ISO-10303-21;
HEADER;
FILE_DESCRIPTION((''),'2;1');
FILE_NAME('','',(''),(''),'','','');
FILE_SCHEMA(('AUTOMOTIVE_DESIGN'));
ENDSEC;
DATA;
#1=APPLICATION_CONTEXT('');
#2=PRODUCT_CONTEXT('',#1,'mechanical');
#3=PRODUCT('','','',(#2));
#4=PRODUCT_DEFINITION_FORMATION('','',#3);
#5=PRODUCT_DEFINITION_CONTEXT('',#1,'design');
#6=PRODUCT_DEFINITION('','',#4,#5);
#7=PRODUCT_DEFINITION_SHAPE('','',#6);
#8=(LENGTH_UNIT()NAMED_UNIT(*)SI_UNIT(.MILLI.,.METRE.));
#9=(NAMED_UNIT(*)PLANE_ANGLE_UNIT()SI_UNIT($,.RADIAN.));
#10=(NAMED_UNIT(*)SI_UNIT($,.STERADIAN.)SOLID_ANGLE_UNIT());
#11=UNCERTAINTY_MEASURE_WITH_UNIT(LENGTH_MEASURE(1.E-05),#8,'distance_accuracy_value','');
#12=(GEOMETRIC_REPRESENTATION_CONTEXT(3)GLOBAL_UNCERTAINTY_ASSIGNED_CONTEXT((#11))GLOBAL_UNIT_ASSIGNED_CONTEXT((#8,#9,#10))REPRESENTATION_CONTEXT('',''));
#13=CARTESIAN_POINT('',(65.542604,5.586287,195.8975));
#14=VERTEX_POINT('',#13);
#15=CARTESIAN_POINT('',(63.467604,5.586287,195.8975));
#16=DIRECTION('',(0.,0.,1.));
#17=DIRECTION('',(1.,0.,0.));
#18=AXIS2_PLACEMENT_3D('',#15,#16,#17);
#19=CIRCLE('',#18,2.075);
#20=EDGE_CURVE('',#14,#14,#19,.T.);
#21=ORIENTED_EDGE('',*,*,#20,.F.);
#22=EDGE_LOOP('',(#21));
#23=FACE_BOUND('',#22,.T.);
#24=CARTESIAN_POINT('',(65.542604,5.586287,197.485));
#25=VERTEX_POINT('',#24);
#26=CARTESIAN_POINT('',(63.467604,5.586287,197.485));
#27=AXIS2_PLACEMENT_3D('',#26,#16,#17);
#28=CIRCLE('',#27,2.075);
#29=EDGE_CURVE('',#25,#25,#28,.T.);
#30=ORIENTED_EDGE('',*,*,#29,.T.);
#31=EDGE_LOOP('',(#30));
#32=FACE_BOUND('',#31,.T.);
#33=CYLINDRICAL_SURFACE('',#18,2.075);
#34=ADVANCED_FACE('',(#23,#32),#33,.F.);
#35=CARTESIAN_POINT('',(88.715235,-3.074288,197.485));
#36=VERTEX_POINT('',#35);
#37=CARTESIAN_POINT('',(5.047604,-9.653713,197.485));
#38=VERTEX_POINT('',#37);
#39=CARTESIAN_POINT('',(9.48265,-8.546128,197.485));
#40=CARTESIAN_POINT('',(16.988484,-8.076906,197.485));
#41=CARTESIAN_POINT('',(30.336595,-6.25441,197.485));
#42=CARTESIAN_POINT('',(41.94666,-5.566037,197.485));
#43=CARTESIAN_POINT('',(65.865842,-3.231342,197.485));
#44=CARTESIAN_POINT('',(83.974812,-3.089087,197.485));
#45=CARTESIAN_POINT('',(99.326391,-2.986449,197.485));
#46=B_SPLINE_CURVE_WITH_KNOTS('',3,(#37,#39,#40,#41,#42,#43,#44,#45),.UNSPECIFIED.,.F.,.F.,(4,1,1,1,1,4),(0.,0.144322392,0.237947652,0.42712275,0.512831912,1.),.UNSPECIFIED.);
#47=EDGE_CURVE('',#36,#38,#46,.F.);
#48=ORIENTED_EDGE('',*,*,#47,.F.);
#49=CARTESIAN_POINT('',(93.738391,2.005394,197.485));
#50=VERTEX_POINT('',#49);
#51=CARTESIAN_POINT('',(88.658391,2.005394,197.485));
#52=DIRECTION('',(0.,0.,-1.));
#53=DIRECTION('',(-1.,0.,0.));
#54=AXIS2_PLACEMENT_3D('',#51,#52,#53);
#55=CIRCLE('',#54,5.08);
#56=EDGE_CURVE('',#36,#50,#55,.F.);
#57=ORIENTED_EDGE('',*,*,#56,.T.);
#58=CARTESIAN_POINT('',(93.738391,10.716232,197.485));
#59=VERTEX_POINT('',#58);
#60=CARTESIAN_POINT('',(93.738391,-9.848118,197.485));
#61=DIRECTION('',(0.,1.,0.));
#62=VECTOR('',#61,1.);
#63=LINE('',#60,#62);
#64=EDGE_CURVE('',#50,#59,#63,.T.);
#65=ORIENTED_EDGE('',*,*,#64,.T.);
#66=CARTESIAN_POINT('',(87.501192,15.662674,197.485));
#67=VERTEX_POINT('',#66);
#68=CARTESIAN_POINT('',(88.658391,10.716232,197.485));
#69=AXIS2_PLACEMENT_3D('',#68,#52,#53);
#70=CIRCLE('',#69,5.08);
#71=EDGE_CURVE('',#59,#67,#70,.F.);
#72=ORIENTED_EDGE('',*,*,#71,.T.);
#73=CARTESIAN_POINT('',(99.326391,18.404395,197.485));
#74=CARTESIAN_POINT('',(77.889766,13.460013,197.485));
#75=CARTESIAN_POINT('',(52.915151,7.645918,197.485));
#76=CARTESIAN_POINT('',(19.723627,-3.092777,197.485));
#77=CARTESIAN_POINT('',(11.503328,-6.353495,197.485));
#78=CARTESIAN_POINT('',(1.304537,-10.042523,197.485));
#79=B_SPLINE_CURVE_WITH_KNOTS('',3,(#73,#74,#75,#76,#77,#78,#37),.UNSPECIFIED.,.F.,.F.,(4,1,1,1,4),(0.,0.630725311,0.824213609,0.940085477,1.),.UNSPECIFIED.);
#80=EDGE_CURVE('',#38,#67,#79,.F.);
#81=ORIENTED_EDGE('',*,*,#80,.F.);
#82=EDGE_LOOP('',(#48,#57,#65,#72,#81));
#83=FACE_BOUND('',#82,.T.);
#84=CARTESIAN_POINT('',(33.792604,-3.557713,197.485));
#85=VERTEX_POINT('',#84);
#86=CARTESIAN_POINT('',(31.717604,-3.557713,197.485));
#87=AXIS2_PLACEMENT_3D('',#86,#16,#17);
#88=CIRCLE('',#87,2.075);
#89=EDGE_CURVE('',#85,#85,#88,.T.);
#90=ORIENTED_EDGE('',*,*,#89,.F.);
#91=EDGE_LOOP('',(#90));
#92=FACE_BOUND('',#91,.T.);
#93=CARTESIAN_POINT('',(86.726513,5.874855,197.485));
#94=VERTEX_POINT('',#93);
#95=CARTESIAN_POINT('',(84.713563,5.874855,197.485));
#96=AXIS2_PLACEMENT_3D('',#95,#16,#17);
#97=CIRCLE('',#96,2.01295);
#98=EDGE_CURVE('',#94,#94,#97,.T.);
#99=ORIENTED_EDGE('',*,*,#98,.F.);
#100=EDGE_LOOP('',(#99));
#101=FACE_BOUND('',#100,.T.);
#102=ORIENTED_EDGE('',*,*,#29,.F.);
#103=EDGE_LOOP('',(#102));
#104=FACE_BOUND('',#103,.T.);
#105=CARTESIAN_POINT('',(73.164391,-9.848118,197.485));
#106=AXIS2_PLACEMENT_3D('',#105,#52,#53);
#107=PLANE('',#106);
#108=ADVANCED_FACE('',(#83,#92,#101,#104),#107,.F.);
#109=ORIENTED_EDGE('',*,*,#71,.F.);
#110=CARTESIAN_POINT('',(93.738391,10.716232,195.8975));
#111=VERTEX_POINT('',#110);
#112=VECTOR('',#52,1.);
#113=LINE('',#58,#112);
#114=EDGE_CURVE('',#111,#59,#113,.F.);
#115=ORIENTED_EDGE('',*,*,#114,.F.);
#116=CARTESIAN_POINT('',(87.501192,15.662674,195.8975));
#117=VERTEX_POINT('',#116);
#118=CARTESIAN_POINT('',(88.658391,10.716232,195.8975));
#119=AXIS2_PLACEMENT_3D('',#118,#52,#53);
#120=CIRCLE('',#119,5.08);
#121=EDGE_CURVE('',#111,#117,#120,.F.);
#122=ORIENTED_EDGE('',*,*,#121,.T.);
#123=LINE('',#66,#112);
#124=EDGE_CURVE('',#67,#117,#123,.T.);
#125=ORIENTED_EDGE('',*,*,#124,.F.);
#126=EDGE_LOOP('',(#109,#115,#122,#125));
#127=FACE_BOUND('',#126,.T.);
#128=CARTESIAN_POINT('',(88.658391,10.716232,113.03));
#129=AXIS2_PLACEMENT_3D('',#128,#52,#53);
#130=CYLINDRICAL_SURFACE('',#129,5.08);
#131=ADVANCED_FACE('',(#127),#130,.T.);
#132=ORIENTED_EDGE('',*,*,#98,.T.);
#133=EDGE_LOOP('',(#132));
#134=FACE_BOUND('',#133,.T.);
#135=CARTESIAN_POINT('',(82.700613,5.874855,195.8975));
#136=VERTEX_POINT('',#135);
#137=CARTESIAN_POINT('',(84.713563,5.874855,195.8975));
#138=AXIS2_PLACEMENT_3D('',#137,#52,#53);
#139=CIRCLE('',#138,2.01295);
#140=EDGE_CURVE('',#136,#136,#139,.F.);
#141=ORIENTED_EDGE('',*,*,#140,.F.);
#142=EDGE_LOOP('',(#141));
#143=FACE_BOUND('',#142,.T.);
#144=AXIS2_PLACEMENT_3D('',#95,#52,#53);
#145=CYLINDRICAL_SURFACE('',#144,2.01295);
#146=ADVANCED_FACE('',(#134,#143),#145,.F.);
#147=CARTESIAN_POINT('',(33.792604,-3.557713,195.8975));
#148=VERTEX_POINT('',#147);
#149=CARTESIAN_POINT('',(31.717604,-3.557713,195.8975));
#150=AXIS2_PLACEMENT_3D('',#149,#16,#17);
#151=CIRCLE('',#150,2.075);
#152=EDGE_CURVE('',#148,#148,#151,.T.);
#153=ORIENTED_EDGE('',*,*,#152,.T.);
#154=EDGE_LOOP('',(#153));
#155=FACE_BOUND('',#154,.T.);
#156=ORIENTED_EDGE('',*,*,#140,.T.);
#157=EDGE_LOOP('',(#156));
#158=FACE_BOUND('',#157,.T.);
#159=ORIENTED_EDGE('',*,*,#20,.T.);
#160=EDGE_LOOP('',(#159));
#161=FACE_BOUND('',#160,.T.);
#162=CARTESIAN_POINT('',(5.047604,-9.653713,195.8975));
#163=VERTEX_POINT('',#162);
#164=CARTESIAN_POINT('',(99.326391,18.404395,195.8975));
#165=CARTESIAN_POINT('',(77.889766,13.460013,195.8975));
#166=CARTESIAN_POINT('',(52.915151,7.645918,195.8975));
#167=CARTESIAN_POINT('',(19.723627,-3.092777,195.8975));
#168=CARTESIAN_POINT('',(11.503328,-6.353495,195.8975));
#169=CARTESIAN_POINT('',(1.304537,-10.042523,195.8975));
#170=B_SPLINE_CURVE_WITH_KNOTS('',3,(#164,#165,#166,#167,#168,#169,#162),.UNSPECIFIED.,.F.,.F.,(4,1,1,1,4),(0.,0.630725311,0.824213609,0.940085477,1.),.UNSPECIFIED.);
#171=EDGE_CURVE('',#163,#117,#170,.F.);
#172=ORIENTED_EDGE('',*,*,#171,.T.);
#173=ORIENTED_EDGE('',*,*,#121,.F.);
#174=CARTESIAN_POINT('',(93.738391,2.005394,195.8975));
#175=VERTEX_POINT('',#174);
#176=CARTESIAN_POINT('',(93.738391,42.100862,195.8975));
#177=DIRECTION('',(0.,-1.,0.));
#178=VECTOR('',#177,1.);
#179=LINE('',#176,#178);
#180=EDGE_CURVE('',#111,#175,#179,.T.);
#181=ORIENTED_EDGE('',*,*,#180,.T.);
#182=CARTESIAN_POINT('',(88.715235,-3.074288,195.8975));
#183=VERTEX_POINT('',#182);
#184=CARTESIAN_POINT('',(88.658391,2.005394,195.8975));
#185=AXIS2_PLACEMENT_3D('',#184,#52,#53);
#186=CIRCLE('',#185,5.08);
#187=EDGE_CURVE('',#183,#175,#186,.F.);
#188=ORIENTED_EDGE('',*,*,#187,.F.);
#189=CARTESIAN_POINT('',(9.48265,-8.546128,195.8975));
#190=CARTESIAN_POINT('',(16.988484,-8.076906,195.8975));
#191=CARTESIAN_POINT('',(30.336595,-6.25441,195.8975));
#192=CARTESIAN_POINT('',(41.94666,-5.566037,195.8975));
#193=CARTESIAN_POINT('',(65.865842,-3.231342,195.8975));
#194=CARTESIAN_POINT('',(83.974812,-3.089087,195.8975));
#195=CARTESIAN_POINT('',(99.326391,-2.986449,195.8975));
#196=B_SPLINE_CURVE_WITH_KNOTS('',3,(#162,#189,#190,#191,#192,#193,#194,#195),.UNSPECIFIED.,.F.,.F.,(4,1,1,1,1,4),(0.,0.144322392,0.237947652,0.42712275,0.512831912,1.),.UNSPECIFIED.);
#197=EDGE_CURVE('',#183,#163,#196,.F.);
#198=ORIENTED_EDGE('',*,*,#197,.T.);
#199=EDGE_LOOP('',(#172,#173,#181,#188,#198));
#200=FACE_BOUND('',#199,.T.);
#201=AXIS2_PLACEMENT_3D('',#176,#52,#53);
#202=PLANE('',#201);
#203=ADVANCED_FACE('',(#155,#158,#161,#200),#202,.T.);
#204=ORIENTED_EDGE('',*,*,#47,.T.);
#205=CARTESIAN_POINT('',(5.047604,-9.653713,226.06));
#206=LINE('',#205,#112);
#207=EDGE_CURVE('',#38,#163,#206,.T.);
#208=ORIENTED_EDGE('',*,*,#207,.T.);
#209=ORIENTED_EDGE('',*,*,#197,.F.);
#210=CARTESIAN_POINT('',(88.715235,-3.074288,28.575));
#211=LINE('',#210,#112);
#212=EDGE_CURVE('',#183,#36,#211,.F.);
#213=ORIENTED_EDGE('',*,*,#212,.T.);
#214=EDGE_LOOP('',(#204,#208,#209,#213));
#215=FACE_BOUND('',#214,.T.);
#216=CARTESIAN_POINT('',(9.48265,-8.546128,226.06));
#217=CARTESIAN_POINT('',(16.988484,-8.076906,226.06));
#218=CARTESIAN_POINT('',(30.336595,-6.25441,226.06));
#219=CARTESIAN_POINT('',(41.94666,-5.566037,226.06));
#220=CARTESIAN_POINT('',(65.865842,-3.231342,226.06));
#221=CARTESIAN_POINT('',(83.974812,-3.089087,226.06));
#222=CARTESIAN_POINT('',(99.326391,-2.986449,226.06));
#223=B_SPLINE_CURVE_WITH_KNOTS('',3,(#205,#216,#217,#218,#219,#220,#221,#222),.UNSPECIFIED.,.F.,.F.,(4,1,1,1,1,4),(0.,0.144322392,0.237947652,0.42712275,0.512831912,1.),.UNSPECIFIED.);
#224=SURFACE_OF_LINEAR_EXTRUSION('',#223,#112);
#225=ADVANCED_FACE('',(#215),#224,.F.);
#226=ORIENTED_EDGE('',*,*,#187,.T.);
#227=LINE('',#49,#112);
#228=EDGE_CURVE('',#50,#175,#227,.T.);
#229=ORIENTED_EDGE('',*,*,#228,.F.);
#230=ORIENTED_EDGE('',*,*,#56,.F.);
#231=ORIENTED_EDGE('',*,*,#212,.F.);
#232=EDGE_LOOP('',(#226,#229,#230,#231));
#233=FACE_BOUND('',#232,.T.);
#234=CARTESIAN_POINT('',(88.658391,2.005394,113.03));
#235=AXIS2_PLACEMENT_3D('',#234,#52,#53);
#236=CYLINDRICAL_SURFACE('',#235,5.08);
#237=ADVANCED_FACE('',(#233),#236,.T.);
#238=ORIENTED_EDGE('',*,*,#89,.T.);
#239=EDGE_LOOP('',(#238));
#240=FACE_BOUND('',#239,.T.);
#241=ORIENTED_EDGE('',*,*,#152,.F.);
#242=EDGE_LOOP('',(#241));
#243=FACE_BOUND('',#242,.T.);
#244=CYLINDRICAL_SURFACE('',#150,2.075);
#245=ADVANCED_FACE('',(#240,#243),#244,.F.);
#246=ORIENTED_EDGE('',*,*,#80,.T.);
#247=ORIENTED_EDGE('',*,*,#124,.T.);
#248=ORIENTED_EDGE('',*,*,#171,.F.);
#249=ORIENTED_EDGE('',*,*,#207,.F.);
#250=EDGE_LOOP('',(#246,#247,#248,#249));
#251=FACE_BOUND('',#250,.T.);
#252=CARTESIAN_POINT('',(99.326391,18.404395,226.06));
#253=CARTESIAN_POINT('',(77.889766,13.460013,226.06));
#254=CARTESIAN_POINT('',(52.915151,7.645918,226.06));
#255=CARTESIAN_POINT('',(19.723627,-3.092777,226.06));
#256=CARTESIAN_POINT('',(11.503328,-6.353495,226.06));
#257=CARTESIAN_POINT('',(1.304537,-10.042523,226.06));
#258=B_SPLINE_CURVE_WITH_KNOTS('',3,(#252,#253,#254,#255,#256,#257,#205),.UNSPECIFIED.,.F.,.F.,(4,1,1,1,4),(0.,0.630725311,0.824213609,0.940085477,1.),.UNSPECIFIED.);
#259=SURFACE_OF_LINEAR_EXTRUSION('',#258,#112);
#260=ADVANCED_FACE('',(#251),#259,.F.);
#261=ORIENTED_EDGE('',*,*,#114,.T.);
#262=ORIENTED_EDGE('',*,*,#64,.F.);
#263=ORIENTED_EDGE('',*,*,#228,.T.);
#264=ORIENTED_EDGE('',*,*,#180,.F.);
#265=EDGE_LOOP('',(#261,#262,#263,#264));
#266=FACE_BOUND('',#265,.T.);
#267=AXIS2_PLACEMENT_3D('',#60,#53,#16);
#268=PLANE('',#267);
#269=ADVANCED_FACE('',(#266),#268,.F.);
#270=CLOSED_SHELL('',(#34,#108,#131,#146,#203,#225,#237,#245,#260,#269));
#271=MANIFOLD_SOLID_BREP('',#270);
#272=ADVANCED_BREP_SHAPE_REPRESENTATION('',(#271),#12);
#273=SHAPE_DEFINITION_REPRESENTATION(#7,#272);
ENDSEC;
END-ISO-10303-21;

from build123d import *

# Parameters (mm, degrees)
BOSS_EXTRUDE1_DEPTH     = 226.06
CUT_EXTRUDE1_DEPTH      = 248.603669875
CUT_EXTRUDE1_DEPTH_BACK = 248.603669875
FILLET1_R               = 5.08
SKETCH4_W               = 41.117340127
SKETCH4_H               = 67.644656338
SKETCH4_W_2             = 211.282523513
SKETCH4_H_2             = 81.730555137
CUT_EXTRUDE5_DEPTH      = 246.233624371
SKETCH3_R               = 2.01295
CUT_EXTRUDE2_DEPTH      = 220.17283623
SKETCH5_R               = 2.075
CUT_EXTRUDE6_DEPTH      = 96.073271919


with BuildPart() as part:
    # Sketch1 → Boss-Extrude1 (new body)
    with BuildSketch(Plane.XY):
        with BuildLine():
            Line((99.32639085, 18.404394796), (99.32639085, -2.986448862))
            add(Edge.make_bspline(
                [(5.047603806, -9.653713384), (9.482649657, -8.546128483), (16.988483729, -8.076906091), (30.336595099, -6.254410192), (41.946659702, -5.566037344), (65.865842143, -3.231342143), (83.974811725, -3.089086557), (99.32639085, -2.986448862)],
                knots=[0, 0, 0, 0, 0.144322392, 0.237947652, 0.42712275, 0.512831912, 1, 1, 1, 1], degree=3))
            add(Edge.make_bspline(
                [(5.047603806, -9.653713384), (1.304537033, -10.042523479), (11.503328192, -6.353494655), (19.723627138, -3.092777487), (52.915151131, 7.645918304), (77.889766355, 13.460013374), (99.32639085, 18.404394796)],
                knots=[0, 0, 0, 0, 0.059914523, 0.175786391, 0.369274689, 1, 1, 1, 1], degree=3))
        make_face()
    extrude(amount=BOSS_EXTRUDE1_DEPTH)

    # Sketch2 → Cut-Extrude1 (cut, two sides: drawn at the far end of the back side and taken through both)
    with BuildSketch(Plane(origin=(0, 0, 0), x_dir=(1, 0, 0), z_dir=(0, 1, 0)).offset(-CUT_EXTRUDE1_DEPTH_BACK)):
        Polygon((169.681502528, 0), (169.681502528, -226.06), (73.16439085, -226.06), (73.16439085, -197.485), (93.73839085, -197.485), (93.73839085, -28.575), (73.16439085, -28.575), (73.16439085, 0), align=None)
    extrude(amount=CUT_EXTRUDE1_DEPTH + CUT_EXTRUDE1_DEPTH_BACK, mode=Mode.SUBTRACT)

    # Fillet1
    fillet1_edges = [part.edges().sort_by_distance(p)[0] for p in [
        (73.16439085, -3.388889971, 14.2875),
        (73.16439085, 12.236004014, 14.2875),
        (93.73839085, -3.026654485, 113.03),
        (93.73839085, 17.113551214, 113.03),
        (73.16439085, -3.388889971, 211.7725),
        (73.16439085, 12.236004014, 211.7725),
    ]]
    fillet(fillet1_edges, radius=FILLET1_R)

    # Sketch4 → Cut-Extrude5 (cut, through all)
    with BuildSketch(Plane(origin=(0, 0, 0), x_dir=(0, 0, -1), z_dir=(1, 0, 0))):
        with Locations((-218.043670064, 8.278534275)):
            Rectangle(SKETCH4_W, SKETCH4_H)
        with Locations((-90.256238244, 1.235584875)):
            Rectangle(SKETCH4_W_2, SKETCH4_H_2)
    extrude(amount=CUT_EXTRUDE5_DEPTH, mode=Mode.SUBTRACT)

    # Sketch3 → Cut-Extrude2 (cut, through all)
    with BuildSketch(Plane.XY):
        with Locations(Location((84.713563037, 5.874854857, 0), (0, 0, 180))):
            Circle(SKETCH3_R)
    extrude(amount=CUT_EXTRUDE2_DEPTH, mode=Mode.SUBTRACT)

    # Sketch5 → Cut-Extrude6 (cut, through all)
    with BuildSketch(Plane.XY.offset(197.485)):
        with Locations((31.717603806, -3.557713384)):
            Circle(SKETCH5_R)
        with Locations((63.467603806, 5.586286616)):
            Circle(SKETCH5_R)
    extrude(amount=-CUT_EXTRUDE6_DEPTH, mode=Mode.SUBTRACT)


solid = part.part
